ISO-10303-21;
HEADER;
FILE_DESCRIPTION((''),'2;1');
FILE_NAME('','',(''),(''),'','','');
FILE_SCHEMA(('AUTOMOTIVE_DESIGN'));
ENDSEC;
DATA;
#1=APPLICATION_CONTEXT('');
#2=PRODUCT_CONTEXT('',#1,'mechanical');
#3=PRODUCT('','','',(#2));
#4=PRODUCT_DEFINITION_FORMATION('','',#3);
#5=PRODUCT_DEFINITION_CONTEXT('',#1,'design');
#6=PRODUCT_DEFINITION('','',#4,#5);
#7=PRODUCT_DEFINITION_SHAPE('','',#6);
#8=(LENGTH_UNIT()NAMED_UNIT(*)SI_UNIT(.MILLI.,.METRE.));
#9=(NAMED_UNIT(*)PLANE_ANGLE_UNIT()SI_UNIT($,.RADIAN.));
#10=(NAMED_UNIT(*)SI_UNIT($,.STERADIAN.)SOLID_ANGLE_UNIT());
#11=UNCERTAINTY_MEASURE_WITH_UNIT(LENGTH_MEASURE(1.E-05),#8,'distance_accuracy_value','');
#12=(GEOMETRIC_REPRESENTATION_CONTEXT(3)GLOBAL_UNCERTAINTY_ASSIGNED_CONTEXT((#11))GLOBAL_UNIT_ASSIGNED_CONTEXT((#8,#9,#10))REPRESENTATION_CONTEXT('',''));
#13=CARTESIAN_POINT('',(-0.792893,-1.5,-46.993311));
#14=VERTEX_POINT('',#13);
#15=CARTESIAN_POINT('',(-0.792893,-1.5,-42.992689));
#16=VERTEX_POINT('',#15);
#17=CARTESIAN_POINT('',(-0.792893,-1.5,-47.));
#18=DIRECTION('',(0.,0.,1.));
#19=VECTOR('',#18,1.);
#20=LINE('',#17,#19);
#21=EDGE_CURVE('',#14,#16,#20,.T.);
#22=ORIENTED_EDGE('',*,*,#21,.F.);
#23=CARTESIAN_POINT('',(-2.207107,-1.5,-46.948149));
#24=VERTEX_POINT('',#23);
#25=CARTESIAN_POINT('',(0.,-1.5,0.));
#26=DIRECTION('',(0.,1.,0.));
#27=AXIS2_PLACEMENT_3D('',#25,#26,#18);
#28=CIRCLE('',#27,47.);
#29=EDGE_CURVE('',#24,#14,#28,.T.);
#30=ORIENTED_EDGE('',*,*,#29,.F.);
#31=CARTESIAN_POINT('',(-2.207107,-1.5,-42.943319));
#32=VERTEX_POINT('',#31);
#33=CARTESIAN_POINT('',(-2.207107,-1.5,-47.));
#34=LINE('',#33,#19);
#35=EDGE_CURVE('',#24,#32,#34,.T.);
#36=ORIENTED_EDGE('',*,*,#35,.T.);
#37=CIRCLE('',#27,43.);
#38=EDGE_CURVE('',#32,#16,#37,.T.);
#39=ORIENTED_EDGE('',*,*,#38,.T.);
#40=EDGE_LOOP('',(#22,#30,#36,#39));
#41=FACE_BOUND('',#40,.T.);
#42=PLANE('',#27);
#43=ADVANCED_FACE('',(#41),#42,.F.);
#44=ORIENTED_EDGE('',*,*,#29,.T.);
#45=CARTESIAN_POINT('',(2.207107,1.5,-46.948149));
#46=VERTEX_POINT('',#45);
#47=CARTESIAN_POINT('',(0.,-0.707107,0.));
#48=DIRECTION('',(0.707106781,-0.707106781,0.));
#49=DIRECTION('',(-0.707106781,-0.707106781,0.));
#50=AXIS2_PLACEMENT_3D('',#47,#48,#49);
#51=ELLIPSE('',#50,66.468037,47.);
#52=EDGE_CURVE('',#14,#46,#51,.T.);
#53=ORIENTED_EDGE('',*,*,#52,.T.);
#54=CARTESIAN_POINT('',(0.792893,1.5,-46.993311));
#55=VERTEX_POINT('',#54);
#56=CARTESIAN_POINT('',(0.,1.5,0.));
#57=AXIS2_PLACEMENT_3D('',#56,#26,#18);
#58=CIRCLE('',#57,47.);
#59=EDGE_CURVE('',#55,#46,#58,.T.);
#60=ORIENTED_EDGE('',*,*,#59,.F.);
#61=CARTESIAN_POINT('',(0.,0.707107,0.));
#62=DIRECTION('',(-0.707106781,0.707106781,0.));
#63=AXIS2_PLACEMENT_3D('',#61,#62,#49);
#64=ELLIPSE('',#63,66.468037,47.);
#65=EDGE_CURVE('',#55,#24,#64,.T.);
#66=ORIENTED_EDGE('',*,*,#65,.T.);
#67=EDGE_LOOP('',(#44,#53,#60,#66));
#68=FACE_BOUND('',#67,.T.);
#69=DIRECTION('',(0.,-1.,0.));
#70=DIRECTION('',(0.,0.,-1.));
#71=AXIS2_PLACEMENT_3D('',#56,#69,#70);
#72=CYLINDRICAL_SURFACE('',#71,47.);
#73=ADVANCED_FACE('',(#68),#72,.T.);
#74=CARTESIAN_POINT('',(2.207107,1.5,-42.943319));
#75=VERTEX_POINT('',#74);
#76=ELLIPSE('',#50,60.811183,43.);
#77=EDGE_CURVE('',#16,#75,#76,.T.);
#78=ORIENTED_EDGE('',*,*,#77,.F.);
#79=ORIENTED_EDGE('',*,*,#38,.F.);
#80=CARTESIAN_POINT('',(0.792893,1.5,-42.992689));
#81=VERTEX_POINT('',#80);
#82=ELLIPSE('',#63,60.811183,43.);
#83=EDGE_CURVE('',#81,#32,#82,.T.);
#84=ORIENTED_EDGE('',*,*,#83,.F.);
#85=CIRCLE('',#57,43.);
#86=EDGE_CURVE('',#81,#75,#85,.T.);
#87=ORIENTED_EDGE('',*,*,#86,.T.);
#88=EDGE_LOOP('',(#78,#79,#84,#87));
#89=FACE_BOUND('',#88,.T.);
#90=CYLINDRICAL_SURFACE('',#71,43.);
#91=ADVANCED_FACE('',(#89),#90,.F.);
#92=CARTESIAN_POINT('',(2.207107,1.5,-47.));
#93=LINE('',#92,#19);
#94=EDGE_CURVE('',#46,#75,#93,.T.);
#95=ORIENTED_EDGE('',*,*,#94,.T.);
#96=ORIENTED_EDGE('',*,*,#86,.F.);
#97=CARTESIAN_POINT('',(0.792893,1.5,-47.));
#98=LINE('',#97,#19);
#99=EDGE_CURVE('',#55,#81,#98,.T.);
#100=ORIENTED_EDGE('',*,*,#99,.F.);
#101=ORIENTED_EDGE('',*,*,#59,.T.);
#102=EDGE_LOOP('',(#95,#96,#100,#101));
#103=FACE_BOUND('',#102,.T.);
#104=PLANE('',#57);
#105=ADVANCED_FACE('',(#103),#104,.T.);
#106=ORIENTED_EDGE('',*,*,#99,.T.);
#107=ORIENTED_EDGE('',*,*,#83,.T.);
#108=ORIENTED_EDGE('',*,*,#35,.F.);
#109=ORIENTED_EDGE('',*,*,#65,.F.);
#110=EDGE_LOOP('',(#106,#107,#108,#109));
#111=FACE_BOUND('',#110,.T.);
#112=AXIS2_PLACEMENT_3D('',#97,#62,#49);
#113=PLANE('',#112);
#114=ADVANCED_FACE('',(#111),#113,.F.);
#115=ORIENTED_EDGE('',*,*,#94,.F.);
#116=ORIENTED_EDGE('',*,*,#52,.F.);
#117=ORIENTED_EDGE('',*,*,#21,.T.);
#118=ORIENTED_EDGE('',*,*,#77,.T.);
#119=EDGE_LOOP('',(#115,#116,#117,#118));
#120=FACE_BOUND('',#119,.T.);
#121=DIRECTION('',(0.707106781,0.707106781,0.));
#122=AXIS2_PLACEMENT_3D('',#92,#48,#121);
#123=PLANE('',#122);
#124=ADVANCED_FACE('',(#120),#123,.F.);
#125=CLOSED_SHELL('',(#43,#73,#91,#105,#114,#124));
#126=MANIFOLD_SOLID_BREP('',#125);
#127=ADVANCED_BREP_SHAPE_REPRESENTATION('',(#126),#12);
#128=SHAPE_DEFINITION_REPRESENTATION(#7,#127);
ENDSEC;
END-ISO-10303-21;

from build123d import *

# Parameters (mm, degrees)
SKETCH1_R           = 47
SKETCH1_R_2         = 43
BOSS_EXTRUDE1_DEPTH = 1.5
CUT_EXTRUDE1_DEPTH  = 48


with BuildPart() as part:
    # Sketch1 → Boss-Extrude1 (new body, symmetric)
    with BuildSketch(Plane(origin=(0, 0, 0), x_dir=(1, 0, 0), z_dir=(0, 1, 0))):
        Circle(SKETCH1_R)
        Circle(SKETCH1_R_2, mode=Mode.SUBTRACT)
    extrude(amount=BOSS_EXTRUDE1_DEPTH, both=True)

    # Sketch2 → Cut-Extrude1 (cut, through all)
    with BuildSketch(Plane.XY):
        Polygon((0.792893219, 1.5), (-2.207106781, -1.5), (-0.792893219, -1.5), (2.207106781, 1.5), align=None)
    extrude(amount=-CUT_EXTRUDE1_DEPTH, mode=Mode.SUBTRACT)


solid = part.part
